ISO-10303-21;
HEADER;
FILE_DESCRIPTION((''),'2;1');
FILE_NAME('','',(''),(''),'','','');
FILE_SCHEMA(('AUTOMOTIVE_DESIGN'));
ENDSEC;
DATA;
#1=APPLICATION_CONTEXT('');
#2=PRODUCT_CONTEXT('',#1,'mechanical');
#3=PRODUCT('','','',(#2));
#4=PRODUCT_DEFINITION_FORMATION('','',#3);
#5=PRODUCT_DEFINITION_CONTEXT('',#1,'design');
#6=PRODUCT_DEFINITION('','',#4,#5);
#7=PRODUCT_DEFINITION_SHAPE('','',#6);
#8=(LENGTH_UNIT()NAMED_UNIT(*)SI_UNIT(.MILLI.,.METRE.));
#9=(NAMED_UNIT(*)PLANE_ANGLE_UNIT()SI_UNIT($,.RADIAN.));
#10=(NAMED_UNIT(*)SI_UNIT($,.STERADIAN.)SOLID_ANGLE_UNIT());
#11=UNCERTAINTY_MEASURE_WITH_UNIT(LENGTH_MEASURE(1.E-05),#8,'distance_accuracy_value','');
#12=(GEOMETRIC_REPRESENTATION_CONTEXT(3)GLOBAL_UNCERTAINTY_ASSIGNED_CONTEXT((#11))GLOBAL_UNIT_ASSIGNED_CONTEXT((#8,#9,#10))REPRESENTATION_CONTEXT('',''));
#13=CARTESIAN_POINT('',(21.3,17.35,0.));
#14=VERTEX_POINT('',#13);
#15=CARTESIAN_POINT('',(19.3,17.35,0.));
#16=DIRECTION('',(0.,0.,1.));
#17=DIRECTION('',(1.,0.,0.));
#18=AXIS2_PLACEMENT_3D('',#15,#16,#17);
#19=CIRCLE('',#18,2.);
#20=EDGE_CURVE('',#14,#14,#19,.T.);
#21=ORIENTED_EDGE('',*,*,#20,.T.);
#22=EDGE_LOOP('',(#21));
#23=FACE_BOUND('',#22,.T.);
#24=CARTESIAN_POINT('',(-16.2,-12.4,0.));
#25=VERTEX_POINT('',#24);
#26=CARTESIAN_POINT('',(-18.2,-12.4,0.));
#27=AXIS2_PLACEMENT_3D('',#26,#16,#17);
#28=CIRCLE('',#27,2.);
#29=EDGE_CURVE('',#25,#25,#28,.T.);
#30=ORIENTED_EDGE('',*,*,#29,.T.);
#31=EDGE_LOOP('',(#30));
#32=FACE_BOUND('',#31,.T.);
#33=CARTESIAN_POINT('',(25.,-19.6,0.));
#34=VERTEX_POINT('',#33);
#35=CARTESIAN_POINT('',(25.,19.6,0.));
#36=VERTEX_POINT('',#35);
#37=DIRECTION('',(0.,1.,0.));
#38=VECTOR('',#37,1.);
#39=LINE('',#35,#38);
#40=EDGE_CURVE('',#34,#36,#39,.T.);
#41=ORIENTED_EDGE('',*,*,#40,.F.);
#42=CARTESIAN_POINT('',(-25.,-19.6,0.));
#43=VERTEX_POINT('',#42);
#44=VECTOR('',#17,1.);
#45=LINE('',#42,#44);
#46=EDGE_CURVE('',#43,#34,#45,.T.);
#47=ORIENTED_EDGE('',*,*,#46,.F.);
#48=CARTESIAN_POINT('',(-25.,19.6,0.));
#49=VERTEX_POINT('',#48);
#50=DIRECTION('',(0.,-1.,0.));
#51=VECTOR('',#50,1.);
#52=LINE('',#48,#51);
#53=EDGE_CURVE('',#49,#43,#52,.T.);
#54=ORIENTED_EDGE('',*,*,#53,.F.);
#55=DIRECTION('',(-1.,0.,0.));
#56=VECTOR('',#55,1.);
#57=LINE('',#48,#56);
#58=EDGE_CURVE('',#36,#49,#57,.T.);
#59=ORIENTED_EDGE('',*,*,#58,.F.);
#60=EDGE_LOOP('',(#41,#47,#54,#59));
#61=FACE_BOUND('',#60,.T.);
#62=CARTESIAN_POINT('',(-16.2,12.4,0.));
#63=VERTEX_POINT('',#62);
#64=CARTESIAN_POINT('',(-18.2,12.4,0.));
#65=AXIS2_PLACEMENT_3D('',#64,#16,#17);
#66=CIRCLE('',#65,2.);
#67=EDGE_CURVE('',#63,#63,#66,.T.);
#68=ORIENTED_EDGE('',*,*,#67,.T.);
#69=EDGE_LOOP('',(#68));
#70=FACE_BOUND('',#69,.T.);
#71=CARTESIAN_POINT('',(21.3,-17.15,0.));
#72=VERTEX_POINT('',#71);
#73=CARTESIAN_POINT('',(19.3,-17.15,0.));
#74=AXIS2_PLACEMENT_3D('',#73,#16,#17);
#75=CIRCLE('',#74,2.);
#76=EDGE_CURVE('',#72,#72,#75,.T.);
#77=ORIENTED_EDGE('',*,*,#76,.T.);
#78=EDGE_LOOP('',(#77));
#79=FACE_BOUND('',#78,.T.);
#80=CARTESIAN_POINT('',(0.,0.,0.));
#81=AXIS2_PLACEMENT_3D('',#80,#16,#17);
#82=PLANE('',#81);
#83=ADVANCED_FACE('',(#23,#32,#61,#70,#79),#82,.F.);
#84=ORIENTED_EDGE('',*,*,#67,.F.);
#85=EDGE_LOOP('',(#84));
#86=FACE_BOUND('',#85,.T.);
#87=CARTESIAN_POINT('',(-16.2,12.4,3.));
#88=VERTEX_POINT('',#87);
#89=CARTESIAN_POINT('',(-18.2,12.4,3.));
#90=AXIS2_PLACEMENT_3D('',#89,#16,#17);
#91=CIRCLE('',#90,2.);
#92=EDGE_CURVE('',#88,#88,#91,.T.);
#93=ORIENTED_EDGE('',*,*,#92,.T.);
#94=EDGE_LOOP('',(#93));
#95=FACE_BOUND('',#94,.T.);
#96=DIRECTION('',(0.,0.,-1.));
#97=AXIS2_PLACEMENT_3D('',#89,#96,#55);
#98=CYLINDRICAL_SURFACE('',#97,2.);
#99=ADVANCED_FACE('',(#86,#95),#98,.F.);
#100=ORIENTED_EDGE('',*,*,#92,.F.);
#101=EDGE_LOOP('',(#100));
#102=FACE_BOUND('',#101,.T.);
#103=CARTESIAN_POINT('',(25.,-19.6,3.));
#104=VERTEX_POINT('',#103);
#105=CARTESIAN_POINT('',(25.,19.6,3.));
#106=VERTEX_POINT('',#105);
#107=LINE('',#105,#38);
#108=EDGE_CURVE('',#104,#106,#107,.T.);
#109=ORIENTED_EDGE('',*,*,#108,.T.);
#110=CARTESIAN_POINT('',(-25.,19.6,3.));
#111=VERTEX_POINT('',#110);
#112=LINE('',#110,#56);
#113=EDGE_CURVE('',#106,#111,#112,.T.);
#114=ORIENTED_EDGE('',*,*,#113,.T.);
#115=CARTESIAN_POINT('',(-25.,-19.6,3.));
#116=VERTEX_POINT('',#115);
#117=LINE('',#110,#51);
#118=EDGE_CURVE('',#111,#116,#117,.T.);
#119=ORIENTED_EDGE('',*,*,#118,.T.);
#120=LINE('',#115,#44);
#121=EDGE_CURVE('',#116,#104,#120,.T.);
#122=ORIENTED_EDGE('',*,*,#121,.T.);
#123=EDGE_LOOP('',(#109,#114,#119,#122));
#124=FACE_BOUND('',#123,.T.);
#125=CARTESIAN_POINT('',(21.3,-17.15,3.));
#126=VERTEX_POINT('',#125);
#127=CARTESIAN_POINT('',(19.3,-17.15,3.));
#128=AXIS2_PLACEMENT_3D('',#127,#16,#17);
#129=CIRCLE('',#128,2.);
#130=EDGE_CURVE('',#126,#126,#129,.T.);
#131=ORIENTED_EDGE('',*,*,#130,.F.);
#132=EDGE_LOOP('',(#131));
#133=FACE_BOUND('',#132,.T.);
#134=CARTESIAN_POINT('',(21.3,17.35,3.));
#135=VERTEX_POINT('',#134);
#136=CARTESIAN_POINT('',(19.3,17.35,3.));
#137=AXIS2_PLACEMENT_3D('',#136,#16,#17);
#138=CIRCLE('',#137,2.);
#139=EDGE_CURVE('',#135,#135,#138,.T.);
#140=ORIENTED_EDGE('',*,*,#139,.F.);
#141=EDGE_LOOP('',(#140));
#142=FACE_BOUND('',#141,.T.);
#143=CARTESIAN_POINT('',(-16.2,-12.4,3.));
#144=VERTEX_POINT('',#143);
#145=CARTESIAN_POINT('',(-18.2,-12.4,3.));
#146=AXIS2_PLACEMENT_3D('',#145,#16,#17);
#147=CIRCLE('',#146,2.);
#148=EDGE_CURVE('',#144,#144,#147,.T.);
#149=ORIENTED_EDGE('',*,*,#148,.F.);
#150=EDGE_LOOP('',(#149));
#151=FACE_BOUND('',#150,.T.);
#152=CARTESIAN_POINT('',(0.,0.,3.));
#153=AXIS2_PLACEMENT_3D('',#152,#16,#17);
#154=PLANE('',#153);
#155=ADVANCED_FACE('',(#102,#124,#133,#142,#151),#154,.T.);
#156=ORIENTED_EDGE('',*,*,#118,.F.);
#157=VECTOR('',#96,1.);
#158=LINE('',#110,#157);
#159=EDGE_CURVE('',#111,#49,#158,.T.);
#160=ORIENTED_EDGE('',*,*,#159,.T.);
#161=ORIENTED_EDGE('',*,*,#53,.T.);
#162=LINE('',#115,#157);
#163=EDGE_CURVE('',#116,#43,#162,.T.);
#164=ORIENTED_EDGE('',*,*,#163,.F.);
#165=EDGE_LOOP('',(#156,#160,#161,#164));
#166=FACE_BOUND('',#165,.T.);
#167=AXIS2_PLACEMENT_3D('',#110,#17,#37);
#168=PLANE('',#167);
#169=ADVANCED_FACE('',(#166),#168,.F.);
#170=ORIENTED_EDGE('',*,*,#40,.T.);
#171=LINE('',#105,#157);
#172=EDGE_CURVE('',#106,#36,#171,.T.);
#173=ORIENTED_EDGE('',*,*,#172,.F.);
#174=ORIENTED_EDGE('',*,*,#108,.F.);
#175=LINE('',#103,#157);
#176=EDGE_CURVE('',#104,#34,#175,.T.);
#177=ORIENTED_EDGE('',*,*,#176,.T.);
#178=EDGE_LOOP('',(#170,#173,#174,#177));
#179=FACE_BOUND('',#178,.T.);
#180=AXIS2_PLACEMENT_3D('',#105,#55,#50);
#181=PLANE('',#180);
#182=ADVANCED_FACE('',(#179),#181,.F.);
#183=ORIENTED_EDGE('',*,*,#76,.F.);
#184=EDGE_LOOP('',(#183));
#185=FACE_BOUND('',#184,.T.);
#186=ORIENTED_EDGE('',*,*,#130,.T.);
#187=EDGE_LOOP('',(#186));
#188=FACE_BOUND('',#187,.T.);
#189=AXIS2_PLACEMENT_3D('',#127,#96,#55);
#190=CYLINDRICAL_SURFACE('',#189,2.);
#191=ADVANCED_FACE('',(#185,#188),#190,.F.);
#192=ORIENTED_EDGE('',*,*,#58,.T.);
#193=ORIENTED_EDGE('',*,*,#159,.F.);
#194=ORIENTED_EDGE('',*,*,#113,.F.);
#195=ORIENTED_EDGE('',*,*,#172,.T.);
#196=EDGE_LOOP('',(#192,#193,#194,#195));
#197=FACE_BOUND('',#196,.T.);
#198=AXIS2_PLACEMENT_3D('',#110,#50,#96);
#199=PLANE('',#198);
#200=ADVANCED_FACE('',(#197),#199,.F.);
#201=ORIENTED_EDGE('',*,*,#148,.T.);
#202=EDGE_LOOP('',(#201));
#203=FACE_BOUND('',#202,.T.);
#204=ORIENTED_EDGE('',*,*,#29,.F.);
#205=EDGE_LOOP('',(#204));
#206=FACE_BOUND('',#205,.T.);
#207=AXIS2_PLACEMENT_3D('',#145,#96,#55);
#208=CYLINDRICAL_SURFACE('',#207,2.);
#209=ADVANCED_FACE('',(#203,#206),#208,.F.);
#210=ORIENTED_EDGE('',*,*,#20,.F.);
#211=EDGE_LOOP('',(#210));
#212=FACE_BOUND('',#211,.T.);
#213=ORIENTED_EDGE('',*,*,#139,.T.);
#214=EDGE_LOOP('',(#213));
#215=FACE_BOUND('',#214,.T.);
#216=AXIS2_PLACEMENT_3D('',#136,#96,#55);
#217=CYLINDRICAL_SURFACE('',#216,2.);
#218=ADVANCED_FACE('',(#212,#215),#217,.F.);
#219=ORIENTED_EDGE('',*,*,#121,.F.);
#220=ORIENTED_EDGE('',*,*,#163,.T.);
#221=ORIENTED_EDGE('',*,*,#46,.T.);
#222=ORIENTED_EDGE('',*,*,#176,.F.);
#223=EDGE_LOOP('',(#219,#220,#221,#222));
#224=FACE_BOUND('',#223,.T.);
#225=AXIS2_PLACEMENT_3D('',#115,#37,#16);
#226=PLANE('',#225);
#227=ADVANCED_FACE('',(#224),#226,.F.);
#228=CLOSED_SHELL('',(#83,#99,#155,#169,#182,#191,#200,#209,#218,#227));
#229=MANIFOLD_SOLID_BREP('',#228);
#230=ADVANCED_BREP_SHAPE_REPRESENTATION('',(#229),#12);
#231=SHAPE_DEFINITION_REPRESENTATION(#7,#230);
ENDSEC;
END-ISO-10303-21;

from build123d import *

# Parameters (mm, degrees)
SKETCH1_W           = 50
SKETCH1_H           = 39.2
SKETCH1_R           = 2
BOSS_EXTRUDE1_DEPTH = 3


with BuildPart() as part:
    # Sketch1 → Boss-Extrude1 (new body)
    with BuildSketch(Plane.XY):
        Rectangle(SKETCH1_W, SKETCH1_H)
        with Locations((-18.2, -12.4)):
            Circle(SKETCH1_R, mode=Mode.SUBTRACT)
        with Locations((-18.2, 12.4)):
            Circle(SKETCH1_R, mode=Mode.SUBTRACT)
        with Locations((19.3, -17.15)):
            Circle(SKETCH1_R, mode=Mode.SUBTRACT)
        with Locations((19.3, 17.35)):
            Circle(SKETCH1_R, mode=Mode.SUBTRACT)
    extrude(amount=BOSS_EXTRUDE1_DEPTH)


solid = part.part
